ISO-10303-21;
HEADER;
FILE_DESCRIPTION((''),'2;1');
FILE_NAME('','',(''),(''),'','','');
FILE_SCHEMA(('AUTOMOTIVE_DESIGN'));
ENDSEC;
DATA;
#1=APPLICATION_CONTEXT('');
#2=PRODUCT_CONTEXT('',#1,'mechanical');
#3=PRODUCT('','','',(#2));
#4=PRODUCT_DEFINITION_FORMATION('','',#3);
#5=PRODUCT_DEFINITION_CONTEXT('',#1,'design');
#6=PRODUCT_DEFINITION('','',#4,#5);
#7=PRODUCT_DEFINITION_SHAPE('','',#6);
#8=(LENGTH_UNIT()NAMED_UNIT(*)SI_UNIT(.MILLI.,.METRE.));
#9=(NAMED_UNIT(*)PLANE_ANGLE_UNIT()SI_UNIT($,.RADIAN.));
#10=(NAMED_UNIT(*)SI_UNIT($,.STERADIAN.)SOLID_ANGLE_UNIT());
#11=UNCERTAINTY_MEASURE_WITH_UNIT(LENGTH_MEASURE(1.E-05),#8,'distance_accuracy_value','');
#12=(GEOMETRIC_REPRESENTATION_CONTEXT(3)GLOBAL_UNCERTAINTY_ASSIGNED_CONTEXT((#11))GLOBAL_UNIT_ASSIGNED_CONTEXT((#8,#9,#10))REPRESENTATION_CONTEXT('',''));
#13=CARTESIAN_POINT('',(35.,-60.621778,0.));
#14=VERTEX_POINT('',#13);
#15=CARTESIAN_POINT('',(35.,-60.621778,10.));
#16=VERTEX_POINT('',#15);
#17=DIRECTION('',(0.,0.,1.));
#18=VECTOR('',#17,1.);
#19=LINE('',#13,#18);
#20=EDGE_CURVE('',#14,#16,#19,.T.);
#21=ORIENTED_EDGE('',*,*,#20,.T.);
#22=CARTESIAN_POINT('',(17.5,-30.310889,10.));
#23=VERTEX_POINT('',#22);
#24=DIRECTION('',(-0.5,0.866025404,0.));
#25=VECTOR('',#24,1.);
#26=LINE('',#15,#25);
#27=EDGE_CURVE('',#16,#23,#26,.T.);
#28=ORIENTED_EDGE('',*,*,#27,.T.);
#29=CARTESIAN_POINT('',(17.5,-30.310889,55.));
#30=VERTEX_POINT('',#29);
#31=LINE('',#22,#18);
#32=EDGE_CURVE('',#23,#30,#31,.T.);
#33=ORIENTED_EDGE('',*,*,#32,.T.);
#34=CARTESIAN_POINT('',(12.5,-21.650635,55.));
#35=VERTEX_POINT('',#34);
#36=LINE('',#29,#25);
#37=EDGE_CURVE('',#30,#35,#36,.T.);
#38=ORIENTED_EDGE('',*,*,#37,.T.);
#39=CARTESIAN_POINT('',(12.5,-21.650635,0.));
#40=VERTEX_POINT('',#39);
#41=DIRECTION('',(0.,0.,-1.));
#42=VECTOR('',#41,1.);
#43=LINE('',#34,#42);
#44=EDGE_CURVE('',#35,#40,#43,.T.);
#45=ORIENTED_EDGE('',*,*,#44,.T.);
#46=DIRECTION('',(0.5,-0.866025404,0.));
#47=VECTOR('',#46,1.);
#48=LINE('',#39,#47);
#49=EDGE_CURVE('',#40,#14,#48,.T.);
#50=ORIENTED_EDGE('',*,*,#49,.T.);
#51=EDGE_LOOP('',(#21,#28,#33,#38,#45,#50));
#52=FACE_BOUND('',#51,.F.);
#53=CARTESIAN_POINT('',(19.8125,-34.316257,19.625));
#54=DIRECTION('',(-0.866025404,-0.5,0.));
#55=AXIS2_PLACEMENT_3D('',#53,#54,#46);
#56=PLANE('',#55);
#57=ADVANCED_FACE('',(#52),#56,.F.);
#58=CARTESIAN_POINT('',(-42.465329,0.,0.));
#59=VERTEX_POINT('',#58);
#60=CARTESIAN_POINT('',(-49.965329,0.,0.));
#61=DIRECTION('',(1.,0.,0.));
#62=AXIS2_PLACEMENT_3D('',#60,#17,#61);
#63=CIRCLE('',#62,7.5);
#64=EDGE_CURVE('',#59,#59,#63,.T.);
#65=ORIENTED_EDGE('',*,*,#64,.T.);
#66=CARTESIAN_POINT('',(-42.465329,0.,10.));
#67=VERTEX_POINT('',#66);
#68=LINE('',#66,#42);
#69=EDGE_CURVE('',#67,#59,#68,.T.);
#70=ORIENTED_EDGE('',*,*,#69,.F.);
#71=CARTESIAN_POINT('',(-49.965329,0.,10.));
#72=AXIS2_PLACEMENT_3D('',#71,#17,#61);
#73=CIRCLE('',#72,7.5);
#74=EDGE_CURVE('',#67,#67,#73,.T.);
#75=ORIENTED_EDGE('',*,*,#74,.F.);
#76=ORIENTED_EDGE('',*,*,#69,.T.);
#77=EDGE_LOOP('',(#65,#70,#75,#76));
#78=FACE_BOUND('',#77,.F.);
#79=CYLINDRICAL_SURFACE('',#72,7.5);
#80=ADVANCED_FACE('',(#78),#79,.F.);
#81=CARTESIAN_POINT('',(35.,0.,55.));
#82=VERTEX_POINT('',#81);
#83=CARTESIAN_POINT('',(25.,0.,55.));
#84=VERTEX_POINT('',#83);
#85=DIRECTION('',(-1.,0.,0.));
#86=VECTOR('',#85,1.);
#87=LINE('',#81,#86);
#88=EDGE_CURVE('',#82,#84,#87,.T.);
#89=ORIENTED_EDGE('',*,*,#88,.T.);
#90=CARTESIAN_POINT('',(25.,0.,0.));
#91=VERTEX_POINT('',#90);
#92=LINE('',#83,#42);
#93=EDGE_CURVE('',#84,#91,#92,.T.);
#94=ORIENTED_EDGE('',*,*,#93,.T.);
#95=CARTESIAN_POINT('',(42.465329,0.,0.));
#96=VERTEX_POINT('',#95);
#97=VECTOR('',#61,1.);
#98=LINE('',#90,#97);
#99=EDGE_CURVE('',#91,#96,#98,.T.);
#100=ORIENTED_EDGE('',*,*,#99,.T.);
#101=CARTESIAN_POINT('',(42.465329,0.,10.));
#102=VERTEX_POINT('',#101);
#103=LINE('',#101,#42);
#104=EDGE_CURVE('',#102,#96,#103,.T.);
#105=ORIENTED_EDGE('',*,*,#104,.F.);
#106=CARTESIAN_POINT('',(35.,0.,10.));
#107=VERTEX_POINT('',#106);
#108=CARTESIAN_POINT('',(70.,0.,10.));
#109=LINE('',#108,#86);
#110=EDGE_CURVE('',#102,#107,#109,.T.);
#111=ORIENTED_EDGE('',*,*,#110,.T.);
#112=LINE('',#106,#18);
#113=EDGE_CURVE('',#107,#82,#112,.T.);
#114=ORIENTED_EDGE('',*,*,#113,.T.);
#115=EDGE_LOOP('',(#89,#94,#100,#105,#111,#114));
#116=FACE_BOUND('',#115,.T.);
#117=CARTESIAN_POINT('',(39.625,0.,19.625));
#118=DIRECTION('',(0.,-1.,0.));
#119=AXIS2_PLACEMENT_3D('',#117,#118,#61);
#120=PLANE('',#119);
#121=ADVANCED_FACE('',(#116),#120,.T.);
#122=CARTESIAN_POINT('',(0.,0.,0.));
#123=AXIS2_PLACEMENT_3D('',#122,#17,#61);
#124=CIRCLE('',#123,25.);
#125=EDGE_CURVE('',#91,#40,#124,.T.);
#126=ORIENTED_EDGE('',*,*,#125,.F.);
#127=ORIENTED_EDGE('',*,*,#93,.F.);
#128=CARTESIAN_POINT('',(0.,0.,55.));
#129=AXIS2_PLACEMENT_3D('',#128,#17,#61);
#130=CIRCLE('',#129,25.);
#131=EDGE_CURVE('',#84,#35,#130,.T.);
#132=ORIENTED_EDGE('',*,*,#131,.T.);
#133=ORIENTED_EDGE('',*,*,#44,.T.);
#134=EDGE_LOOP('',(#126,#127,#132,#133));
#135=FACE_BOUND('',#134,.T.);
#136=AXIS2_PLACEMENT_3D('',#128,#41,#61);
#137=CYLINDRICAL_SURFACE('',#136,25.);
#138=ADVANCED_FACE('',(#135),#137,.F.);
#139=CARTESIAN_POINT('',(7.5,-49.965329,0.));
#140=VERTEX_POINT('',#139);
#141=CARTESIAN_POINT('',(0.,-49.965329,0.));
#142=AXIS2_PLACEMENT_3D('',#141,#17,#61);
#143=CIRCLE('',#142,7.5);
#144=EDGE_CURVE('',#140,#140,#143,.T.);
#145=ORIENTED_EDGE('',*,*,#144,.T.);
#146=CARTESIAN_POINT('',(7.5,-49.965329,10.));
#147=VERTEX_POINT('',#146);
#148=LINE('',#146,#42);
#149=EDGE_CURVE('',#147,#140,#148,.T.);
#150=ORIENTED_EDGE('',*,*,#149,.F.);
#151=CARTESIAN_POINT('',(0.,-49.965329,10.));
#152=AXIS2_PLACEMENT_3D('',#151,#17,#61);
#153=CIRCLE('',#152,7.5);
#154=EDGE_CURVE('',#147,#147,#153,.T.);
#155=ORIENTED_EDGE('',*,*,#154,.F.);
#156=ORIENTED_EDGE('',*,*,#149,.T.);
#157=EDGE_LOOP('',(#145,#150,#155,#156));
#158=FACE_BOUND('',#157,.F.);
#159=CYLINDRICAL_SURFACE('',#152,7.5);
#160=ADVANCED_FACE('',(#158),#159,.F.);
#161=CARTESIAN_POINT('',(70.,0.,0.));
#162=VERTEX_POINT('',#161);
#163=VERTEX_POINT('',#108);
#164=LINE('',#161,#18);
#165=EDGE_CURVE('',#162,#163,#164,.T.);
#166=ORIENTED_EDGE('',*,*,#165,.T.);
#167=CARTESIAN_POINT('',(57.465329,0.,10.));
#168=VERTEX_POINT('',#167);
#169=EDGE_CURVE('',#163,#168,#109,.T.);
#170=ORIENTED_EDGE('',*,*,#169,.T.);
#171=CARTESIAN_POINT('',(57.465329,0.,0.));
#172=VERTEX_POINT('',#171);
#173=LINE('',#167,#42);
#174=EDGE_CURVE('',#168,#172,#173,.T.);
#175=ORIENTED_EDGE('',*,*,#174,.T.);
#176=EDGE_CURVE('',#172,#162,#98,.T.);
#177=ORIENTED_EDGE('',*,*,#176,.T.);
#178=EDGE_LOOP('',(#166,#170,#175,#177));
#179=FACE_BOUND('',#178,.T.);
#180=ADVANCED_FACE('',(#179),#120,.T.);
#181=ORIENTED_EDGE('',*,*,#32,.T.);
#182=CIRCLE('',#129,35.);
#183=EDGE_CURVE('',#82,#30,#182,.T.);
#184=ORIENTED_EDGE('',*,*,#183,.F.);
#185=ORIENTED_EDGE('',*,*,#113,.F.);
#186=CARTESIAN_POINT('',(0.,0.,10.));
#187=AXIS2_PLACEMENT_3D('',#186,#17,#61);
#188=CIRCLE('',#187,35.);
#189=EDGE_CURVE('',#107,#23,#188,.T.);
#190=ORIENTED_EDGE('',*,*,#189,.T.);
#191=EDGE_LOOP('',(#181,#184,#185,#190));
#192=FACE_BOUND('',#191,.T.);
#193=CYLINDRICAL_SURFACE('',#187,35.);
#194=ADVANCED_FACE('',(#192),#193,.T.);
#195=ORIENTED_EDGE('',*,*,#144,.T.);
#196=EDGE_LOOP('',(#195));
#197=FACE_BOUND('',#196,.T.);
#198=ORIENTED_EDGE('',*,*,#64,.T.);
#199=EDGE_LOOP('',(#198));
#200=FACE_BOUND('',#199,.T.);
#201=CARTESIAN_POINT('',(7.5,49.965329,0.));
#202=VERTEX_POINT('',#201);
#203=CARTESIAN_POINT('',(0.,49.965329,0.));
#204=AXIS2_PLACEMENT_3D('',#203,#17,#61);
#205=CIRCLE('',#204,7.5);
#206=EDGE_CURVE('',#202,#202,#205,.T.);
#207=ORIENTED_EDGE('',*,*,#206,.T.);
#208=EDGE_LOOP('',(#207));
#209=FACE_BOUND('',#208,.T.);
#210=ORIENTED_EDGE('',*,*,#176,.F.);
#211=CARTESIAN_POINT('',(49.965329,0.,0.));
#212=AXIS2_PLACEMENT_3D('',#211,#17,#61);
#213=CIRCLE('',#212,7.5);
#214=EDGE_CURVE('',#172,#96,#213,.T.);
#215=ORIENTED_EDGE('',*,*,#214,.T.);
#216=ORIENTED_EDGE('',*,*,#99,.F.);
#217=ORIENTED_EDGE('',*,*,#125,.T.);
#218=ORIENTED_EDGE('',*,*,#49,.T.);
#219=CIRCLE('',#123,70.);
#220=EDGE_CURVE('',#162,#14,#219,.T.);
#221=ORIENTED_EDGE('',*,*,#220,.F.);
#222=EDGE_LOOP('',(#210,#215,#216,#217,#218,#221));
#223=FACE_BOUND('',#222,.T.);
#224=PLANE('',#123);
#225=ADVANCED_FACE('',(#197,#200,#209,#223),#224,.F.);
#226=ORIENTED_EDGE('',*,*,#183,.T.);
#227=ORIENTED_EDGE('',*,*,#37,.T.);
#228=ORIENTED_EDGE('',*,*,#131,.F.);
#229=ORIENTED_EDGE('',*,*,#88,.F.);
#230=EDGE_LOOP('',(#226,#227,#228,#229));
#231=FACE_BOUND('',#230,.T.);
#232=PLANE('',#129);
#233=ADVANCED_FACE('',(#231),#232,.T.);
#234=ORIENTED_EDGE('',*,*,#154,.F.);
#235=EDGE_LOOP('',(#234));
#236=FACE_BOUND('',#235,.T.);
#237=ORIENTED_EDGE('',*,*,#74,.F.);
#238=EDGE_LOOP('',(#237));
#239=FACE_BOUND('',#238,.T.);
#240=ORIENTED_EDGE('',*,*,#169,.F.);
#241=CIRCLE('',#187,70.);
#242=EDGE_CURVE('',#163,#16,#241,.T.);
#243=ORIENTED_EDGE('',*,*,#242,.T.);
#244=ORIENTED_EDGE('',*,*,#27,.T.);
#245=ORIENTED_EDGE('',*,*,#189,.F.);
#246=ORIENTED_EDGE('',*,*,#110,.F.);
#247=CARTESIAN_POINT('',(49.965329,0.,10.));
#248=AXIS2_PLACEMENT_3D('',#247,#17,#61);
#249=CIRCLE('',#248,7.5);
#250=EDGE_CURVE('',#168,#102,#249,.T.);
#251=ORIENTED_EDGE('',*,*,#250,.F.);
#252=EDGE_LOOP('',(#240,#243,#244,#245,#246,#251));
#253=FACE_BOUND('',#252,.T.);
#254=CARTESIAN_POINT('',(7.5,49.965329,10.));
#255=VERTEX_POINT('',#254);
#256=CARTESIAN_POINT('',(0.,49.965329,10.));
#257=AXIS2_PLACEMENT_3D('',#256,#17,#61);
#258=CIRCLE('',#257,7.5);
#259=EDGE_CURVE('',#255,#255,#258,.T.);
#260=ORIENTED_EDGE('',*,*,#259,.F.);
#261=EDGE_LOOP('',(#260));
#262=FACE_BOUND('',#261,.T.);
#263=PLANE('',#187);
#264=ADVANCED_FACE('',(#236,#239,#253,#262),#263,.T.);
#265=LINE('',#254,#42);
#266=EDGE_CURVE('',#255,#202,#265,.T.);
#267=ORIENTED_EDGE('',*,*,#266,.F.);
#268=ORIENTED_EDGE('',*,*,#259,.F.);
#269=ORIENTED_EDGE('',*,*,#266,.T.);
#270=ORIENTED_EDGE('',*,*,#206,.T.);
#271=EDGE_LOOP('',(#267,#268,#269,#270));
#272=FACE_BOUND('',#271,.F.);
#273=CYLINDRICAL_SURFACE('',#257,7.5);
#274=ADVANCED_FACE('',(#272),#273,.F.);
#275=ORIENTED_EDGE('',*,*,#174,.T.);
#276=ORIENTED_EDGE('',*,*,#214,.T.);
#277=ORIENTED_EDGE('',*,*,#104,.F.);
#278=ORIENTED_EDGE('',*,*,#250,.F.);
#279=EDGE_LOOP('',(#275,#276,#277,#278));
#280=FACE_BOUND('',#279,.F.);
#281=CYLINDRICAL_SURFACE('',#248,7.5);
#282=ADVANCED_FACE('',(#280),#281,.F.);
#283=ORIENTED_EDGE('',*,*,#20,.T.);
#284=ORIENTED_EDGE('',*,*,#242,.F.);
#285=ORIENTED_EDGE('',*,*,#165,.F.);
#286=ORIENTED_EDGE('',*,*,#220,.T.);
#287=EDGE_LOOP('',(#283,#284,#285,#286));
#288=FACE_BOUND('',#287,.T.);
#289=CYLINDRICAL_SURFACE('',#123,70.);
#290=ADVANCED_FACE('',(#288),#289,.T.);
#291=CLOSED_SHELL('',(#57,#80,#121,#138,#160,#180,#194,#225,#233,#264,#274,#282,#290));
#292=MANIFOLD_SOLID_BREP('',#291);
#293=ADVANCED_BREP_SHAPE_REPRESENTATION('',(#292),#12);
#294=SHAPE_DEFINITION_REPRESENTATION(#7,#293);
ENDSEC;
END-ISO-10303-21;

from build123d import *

# Parameters (mm, degrees)
F1_ANGLE = 300
F2_R     = 7.5
F3_DEPTH = 10.001


with BuildPart() as f1:
    # F0 (on Front) → F1 (revolve)
    with BuildSketch(Plane.XZ):
        Polygon((35, 55), (25, 55), (25, 0), (70, 0), (70, 10), (35, 10), align=None)
    revolve(axis=Axis((0, 0, 30.149998), (0, 0, 1)), revolution_arc=F1_ANGLE)

    # F2 (on face) → F3 (cut, through all)
    with BuildSketch(Plane.XY.offset(10)):
        with BuildLine():
            Line((42.465329, 0), (57.465329, 0))
            ThreePointArc((57.465329, 0), (49.965329, 7.5), (42.465329, 0))
        make_face()
        with Locations((0, 49.965329)):
            Circle(F2_R)
        with Locations((-49.965329, 0)):
            Circle(F2_R)
        with Locations((0, -49.965329)):
            Circle(F2_R)
    extrude(amount=-F3_DEPTH, mode=Mode.SUBTRACT)


solid = f1.part
